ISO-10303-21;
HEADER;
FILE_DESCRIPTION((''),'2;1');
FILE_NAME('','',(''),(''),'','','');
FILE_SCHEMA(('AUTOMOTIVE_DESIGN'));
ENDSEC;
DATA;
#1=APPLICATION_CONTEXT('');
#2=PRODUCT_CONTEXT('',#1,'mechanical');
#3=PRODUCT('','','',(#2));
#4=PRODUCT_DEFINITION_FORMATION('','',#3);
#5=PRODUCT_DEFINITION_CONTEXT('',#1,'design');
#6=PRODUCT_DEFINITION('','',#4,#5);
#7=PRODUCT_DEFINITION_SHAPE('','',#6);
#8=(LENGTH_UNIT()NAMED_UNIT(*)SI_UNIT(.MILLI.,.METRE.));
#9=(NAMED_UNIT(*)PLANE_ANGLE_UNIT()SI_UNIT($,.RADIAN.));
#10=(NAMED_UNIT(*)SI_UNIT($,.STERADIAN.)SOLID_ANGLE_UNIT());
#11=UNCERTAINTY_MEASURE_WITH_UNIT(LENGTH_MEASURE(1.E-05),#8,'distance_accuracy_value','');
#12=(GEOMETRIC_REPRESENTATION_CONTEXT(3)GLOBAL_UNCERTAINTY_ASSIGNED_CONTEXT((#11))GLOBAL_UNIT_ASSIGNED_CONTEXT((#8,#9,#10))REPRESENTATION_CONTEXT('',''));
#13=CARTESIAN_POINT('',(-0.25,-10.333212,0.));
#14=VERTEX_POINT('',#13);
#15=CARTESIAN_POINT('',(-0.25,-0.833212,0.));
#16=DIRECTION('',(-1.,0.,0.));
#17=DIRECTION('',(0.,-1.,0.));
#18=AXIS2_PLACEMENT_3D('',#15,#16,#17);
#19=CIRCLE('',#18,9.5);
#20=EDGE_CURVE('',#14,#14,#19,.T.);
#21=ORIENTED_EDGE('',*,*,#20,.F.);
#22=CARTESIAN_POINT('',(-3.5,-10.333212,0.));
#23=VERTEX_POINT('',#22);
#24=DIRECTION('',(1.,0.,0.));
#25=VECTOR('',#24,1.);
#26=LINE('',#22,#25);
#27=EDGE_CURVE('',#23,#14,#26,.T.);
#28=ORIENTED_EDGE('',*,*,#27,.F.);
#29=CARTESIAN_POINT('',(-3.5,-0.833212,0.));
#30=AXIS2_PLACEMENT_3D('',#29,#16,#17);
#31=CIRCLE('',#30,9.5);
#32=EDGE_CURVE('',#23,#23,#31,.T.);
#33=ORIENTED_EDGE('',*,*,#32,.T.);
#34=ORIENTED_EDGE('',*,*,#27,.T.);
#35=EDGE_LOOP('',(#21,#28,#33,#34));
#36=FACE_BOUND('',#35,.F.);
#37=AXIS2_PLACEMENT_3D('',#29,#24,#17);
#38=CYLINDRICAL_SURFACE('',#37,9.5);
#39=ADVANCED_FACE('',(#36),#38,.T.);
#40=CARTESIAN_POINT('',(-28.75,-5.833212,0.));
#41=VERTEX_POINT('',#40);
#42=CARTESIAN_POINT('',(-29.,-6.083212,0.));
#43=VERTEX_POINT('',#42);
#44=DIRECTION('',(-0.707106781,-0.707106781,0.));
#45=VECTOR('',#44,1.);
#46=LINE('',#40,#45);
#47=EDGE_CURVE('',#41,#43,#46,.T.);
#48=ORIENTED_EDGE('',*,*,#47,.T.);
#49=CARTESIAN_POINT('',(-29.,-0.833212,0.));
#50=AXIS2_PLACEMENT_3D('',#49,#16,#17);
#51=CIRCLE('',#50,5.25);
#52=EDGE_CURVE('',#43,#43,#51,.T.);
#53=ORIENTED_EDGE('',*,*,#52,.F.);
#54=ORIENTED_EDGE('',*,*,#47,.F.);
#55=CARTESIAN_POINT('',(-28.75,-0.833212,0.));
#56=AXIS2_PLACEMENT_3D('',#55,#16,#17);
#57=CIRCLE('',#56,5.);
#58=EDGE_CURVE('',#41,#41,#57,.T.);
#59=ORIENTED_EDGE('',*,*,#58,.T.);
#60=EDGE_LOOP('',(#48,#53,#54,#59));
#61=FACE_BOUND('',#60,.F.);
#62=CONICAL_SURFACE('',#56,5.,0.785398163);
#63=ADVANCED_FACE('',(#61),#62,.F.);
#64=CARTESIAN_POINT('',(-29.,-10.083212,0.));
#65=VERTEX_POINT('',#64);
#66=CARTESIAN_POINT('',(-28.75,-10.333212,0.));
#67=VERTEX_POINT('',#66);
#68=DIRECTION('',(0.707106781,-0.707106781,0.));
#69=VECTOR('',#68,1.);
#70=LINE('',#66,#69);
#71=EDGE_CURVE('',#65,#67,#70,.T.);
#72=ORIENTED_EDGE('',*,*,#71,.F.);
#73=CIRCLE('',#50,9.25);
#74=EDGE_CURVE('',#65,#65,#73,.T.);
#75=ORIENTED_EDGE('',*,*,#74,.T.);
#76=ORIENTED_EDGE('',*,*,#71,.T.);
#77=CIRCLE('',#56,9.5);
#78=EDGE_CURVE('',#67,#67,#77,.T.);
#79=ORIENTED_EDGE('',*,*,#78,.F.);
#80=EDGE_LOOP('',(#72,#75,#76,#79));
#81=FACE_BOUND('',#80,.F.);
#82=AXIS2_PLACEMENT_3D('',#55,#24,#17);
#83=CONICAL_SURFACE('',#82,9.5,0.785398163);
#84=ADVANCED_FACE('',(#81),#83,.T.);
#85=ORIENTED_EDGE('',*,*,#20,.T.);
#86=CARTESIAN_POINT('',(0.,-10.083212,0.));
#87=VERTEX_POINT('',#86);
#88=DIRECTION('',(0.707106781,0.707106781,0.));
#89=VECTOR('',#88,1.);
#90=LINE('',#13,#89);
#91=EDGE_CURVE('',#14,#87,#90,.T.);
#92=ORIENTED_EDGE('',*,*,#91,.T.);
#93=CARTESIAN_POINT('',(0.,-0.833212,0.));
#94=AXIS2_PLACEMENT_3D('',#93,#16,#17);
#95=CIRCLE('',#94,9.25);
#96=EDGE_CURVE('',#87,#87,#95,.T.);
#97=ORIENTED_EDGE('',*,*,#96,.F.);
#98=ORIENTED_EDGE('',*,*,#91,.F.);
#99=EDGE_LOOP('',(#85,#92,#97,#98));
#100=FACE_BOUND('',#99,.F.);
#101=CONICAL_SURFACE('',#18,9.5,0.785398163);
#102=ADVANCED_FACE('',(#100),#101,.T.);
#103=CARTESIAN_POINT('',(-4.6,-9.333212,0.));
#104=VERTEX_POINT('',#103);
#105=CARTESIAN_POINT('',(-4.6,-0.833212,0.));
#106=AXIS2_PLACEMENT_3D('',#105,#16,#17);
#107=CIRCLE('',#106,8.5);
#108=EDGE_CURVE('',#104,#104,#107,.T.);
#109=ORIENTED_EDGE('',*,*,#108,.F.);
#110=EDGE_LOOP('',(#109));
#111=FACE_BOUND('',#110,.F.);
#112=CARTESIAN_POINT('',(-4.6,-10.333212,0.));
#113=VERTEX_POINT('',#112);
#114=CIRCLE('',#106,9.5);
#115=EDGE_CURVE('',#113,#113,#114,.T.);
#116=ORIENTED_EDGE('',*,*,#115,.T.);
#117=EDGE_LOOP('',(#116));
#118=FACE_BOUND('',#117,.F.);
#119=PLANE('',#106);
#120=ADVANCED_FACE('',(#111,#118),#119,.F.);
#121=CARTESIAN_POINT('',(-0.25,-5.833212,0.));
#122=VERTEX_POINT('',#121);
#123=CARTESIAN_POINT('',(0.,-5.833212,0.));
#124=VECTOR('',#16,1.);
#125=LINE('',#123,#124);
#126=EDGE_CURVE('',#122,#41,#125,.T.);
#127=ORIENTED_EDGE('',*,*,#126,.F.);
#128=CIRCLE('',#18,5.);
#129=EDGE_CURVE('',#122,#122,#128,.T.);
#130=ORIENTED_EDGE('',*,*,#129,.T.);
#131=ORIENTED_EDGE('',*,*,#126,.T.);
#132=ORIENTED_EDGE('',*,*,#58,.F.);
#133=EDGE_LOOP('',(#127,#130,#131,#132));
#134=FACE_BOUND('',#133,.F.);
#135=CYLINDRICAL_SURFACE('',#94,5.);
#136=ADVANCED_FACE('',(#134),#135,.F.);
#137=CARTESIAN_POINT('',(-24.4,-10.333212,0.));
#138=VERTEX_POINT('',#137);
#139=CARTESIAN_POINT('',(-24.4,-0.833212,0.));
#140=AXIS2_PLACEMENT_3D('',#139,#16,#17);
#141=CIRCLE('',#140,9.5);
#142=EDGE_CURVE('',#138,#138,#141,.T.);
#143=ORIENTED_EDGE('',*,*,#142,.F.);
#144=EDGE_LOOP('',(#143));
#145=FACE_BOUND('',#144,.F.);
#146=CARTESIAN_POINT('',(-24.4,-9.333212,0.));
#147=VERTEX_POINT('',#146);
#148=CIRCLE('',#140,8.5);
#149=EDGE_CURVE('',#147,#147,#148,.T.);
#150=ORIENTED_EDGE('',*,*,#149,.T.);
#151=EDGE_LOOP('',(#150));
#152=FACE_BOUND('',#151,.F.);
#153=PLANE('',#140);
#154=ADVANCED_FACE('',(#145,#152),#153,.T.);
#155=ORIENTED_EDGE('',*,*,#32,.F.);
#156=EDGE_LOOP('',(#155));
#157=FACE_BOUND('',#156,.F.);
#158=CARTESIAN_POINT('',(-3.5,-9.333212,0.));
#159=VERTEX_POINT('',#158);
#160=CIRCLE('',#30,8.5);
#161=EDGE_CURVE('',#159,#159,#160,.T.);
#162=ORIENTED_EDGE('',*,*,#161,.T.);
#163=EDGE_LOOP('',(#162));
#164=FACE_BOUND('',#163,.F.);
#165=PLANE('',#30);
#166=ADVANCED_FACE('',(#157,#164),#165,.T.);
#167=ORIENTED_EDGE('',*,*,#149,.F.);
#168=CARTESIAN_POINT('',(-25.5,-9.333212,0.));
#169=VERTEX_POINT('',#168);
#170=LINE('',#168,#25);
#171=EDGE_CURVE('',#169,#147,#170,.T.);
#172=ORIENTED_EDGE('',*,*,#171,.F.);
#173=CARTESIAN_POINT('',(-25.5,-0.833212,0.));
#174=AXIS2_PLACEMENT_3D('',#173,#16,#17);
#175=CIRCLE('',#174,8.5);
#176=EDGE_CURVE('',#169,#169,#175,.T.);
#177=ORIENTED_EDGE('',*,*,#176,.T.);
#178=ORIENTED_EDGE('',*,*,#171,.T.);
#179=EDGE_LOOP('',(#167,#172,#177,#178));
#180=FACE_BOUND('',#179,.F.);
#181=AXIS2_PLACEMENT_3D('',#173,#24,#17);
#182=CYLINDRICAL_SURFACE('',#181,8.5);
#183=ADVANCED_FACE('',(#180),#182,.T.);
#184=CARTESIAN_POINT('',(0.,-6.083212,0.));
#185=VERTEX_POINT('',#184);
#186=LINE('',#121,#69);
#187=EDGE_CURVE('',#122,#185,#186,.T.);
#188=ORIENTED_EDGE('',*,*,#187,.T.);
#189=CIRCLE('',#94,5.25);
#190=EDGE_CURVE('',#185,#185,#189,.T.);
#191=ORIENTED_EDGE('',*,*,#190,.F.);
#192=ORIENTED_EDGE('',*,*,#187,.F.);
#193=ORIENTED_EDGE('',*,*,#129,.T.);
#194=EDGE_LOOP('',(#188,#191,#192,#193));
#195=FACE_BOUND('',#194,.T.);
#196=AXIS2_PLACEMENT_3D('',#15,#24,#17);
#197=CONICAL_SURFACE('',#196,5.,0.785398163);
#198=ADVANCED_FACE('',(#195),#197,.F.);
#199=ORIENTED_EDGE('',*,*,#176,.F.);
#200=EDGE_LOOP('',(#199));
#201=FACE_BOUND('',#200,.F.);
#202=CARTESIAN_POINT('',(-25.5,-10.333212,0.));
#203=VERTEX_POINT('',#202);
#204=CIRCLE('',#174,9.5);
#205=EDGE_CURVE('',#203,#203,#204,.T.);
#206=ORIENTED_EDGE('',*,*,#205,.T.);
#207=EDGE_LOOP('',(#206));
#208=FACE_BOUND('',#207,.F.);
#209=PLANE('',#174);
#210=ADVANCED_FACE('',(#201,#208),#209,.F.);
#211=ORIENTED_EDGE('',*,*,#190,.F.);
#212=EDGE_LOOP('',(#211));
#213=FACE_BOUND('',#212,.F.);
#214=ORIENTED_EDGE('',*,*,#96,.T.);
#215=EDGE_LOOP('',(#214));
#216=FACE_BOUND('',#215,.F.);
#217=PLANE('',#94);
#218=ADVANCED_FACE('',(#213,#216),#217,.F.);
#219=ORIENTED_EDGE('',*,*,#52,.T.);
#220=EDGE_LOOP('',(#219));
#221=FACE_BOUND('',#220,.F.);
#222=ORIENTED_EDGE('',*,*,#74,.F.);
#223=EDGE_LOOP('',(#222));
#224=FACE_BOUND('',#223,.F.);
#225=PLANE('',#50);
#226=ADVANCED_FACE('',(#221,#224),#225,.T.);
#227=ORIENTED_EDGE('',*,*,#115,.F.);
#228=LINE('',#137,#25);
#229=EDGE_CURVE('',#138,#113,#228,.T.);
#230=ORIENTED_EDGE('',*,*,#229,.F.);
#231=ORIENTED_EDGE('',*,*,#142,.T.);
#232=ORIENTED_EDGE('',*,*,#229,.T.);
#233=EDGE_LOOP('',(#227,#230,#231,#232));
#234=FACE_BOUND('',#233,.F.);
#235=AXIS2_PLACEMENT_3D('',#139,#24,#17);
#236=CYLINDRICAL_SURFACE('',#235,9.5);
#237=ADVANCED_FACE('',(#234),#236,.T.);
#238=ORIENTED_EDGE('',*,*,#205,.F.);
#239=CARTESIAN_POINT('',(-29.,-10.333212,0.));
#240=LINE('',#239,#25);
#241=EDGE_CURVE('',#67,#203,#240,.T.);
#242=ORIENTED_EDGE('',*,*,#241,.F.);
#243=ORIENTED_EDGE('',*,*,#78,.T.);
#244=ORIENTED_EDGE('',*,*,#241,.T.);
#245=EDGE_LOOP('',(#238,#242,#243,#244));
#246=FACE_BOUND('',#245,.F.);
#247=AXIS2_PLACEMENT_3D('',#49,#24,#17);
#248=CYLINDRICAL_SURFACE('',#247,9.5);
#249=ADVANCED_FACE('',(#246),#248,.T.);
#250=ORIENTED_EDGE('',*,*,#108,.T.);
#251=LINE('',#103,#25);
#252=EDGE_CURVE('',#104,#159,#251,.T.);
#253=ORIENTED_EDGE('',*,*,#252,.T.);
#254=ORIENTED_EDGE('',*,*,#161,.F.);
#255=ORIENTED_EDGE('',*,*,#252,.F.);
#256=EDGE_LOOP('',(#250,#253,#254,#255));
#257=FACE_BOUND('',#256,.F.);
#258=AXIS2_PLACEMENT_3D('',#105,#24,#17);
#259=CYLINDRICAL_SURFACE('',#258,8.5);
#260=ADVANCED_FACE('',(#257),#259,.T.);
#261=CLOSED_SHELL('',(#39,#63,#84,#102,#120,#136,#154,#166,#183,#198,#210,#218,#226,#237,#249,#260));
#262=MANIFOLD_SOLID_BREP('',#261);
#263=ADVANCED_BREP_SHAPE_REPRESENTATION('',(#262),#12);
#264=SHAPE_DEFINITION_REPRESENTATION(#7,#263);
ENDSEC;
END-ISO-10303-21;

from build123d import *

# Parameters (mm, degrees)
F2_SIZE = 0.25


with BuildPart() as f1:
    # F0 (on Top) → F1 (revolve)
    with BuildSketch(Plane.XY):
        Polygon((0, -5.8332120482), (-29, -5.8332120482), (-29, -10.3332120482), (-25.5, -10.3332120482), (-25.5, -9.3332120482), (-24.4, -9.3332120482), (-24.4, -10.3332120482), (-4.6, -10.3332120482), (-4.6, -9.3332120482), (-3.5, -9.3332120482), (-3.5, -10.3332120482), (0, -10.3332120482), align=None)
    revolve(axis=Axis((-14.5, -0.8332120482, 0), (-1, 0, 0)))

    # F2
    f2_edges = [f1.edges().sort_by_distance(p)[0] for p in [
        (0, 8.666788, 0),
        (-29, 8.666788, 0),
        (-29, 4.166788, 0),
        (0, 4.166788, 0),
    ]]
    chamfer(f2_edges, length=F2_SIZE)


solid = f1.part
